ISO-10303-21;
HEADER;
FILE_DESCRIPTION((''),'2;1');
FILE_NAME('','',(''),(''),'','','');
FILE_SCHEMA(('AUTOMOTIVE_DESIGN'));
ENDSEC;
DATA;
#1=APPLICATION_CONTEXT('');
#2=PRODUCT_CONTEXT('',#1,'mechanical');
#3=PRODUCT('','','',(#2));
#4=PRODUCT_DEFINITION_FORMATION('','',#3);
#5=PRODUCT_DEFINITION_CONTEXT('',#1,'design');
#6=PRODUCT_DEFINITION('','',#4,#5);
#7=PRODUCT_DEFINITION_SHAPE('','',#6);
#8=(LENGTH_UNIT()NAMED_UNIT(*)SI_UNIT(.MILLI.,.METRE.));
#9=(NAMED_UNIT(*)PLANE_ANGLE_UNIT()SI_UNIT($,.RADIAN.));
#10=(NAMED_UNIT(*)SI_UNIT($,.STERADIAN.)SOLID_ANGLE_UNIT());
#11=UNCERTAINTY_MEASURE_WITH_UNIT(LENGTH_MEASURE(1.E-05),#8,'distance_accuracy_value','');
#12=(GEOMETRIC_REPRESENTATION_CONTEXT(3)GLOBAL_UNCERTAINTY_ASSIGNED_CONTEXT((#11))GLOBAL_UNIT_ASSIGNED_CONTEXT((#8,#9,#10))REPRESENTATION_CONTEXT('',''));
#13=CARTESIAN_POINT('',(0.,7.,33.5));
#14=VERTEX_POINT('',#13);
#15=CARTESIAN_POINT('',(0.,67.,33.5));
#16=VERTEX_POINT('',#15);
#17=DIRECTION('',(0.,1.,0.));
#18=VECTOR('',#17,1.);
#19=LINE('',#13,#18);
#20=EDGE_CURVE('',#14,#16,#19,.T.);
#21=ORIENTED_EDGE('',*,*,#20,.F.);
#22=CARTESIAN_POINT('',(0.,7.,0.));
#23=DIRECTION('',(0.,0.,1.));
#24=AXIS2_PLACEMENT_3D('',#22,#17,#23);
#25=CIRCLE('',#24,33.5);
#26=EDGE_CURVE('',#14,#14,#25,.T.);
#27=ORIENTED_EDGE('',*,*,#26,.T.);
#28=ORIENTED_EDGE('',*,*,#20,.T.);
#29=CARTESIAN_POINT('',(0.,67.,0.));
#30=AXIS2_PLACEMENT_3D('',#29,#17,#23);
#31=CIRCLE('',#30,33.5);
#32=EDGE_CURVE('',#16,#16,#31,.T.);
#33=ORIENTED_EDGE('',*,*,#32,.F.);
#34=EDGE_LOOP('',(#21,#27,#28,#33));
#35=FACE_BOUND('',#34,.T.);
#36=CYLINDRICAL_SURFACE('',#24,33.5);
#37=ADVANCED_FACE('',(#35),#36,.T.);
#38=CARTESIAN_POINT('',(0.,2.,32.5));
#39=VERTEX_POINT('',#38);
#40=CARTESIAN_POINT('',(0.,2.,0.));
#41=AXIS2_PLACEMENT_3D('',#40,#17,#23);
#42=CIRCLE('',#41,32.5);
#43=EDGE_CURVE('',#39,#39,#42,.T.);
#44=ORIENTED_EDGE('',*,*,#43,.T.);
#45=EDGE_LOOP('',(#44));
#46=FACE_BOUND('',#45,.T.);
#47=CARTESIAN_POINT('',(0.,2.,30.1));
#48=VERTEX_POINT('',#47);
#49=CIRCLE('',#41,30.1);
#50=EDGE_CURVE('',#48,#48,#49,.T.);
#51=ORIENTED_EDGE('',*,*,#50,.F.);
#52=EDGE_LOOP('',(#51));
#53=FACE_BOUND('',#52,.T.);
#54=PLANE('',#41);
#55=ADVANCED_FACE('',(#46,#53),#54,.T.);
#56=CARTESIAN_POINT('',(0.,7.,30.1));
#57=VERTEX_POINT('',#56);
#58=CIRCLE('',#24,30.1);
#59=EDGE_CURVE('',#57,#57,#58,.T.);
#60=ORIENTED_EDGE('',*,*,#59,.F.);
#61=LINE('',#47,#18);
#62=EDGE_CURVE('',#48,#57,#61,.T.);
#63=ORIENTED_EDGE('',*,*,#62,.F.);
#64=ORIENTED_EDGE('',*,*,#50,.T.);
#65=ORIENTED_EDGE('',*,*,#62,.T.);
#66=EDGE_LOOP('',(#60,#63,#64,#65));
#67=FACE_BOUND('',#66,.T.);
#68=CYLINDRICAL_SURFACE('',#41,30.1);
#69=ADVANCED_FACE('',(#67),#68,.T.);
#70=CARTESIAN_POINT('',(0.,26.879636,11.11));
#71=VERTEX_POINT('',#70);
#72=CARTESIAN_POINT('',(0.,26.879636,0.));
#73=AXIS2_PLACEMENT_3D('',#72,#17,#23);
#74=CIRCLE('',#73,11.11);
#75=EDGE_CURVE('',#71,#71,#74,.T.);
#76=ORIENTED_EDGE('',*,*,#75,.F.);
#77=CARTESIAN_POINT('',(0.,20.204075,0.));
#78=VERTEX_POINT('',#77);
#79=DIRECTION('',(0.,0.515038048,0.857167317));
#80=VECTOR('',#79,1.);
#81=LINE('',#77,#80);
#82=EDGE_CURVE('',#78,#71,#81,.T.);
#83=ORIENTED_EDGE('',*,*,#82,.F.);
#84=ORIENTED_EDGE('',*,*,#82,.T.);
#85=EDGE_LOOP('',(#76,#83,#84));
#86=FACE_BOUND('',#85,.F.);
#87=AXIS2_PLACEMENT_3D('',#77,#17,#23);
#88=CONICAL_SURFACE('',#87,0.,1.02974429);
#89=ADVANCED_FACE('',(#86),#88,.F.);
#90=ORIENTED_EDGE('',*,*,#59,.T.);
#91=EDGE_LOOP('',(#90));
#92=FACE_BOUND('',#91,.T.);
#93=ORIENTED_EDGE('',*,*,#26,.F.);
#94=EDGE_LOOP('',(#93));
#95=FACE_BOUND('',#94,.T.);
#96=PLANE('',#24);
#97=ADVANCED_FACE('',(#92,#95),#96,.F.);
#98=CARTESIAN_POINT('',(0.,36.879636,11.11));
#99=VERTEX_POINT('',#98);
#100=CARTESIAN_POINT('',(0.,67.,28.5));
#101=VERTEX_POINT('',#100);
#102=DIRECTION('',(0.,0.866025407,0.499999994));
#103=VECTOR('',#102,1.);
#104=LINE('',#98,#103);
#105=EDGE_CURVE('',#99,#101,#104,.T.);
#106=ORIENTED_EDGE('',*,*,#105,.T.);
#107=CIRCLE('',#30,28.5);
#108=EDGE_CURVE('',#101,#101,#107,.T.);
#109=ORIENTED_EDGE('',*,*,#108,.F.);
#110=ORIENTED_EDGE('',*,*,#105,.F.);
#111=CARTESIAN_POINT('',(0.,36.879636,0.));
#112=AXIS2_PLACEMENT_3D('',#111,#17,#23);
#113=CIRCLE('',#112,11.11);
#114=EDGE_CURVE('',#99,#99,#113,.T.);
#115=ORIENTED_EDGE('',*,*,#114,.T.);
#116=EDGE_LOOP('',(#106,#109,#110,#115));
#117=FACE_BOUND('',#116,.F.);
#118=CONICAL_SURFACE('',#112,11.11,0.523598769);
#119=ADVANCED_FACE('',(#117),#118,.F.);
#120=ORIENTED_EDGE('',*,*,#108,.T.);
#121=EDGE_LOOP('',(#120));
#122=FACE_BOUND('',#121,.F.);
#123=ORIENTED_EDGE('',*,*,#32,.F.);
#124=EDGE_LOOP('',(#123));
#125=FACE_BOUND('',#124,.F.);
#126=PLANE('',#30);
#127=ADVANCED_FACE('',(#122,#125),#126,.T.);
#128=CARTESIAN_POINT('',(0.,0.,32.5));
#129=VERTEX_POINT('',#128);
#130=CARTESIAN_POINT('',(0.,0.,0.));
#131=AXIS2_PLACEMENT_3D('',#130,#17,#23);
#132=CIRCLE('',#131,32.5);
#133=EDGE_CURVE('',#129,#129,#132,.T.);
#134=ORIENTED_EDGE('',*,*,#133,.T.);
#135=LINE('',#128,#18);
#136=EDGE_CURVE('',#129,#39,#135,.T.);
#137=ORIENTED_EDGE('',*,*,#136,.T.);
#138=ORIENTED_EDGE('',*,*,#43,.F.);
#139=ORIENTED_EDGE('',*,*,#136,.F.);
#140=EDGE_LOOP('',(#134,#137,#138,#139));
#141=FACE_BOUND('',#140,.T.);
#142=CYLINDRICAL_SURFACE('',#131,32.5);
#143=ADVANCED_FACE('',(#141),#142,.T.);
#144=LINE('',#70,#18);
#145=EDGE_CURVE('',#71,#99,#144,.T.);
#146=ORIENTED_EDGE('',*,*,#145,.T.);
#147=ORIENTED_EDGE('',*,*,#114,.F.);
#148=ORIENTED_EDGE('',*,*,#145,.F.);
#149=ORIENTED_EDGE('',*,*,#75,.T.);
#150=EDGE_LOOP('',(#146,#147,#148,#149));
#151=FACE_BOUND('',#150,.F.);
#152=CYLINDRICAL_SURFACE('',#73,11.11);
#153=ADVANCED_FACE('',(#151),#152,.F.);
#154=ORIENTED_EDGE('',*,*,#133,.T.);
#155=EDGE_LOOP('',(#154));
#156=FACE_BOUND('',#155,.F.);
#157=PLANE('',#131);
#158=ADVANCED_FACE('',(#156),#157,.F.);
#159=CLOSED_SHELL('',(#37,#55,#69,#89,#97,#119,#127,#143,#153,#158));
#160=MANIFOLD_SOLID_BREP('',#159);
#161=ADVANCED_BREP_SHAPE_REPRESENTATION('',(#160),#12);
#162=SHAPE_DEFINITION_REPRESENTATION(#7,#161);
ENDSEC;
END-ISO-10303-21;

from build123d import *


with BuildPart() as f2:
    # F1 (on face) → F2 (revolve)
    with BuildSketch(Plane.YZ):
        Polygon((0, 35), (0, 0), (20.204075, 0), (26.879636, 11.11), (36.879636, 11.11), (67, 28.5), (67, 35), align=None)
    revolve(axis=Axis((0, 35.295283, 0), (0, 1, 0)))

    # F3 (on Right) → F4 (revolve, cut)
    with BuildSketch(Plane.YZ):
        Polygon((7, 33.5), (68.52591, 33.5), (69.647816, 44.953279), (0, 44.953279), (0, 32.5), (2, 32.5), (2, 30.1), (7, 30.1), align=None)
    revolve(axis=Axis((0, 56.397552, 0), (0, 1, 0)), mode=Mode.SUBTRACT)


solid = f2.part
